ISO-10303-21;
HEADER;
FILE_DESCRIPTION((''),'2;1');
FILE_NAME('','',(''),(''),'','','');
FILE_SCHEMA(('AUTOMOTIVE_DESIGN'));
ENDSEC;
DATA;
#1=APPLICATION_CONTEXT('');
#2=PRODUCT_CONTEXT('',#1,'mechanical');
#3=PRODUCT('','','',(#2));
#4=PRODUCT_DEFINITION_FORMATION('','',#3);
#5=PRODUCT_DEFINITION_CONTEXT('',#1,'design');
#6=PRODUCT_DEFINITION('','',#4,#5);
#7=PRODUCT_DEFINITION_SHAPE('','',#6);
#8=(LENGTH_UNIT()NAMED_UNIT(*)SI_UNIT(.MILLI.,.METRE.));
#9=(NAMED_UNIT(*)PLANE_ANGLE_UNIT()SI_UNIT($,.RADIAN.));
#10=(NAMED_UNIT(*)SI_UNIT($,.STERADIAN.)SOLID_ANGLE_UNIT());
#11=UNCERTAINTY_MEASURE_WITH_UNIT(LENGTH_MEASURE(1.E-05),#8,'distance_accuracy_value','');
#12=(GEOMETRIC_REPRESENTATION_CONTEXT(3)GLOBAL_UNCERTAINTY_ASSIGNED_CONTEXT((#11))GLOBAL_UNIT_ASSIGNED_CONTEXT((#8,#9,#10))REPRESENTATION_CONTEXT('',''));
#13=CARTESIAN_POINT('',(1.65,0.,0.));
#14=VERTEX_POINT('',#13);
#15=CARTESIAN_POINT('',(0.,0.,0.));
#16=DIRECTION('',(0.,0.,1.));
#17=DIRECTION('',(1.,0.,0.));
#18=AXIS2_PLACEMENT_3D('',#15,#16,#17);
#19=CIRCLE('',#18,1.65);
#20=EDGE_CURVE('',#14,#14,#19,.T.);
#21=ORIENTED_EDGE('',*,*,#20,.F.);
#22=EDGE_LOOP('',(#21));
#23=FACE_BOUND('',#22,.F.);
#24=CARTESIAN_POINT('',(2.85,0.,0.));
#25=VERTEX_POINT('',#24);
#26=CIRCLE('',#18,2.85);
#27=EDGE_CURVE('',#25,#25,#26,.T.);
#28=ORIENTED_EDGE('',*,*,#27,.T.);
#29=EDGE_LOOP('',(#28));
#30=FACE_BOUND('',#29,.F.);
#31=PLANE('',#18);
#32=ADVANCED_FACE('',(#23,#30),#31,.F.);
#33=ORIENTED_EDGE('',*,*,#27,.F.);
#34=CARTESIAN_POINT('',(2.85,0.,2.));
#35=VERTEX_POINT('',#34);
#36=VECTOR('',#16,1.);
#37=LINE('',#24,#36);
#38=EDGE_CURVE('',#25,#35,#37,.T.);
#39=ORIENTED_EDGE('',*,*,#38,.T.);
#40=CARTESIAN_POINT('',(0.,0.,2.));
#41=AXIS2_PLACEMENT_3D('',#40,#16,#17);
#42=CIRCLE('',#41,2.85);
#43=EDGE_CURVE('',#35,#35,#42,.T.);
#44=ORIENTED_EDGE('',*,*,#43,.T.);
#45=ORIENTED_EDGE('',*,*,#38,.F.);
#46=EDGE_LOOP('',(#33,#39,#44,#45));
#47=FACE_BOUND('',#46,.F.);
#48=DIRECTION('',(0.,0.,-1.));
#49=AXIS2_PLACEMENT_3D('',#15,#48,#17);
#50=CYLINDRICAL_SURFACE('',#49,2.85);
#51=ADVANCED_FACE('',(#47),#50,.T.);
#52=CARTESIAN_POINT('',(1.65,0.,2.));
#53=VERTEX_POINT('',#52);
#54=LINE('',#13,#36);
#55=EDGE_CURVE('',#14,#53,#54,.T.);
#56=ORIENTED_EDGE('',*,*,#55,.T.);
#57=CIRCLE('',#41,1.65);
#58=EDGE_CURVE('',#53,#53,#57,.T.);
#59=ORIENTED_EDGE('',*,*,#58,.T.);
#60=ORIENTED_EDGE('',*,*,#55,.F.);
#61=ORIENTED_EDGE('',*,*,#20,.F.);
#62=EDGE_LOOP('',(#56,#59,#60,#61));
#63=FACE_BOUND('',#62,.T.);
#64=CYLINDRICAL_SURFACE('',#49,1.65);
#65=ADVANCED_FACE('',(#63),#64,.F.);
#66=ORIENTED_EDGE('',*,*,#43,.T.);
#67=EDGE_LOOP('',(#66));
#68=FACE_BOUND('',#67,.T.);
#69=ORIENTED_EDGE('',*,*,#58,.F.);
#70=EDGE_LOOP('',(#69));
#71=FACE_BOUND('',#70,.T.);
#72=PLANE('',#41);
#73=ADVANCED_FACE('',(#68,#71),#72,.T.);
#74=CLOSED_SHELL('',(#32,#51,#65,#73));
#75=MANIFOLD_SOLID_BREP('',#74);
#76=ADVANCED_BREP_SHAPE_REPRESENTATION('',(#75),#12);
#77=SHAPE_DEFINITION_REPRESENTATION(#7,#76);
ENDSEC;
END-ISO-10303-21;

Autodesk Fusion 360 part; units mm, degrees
sketch "Skizze1" plane through (0, 0, 0) normal (0, 0, 1) x (1, 0, 0)
  circle A0 centre (0, 0) radius 2.85
  circle A1 centre (0, 0) radius 1.65
  dimension "d1" = 5.7
  dimension "d2" = 3.3
extrude "Extrusion1" add sketch "Skizze1" along normal blind 2
